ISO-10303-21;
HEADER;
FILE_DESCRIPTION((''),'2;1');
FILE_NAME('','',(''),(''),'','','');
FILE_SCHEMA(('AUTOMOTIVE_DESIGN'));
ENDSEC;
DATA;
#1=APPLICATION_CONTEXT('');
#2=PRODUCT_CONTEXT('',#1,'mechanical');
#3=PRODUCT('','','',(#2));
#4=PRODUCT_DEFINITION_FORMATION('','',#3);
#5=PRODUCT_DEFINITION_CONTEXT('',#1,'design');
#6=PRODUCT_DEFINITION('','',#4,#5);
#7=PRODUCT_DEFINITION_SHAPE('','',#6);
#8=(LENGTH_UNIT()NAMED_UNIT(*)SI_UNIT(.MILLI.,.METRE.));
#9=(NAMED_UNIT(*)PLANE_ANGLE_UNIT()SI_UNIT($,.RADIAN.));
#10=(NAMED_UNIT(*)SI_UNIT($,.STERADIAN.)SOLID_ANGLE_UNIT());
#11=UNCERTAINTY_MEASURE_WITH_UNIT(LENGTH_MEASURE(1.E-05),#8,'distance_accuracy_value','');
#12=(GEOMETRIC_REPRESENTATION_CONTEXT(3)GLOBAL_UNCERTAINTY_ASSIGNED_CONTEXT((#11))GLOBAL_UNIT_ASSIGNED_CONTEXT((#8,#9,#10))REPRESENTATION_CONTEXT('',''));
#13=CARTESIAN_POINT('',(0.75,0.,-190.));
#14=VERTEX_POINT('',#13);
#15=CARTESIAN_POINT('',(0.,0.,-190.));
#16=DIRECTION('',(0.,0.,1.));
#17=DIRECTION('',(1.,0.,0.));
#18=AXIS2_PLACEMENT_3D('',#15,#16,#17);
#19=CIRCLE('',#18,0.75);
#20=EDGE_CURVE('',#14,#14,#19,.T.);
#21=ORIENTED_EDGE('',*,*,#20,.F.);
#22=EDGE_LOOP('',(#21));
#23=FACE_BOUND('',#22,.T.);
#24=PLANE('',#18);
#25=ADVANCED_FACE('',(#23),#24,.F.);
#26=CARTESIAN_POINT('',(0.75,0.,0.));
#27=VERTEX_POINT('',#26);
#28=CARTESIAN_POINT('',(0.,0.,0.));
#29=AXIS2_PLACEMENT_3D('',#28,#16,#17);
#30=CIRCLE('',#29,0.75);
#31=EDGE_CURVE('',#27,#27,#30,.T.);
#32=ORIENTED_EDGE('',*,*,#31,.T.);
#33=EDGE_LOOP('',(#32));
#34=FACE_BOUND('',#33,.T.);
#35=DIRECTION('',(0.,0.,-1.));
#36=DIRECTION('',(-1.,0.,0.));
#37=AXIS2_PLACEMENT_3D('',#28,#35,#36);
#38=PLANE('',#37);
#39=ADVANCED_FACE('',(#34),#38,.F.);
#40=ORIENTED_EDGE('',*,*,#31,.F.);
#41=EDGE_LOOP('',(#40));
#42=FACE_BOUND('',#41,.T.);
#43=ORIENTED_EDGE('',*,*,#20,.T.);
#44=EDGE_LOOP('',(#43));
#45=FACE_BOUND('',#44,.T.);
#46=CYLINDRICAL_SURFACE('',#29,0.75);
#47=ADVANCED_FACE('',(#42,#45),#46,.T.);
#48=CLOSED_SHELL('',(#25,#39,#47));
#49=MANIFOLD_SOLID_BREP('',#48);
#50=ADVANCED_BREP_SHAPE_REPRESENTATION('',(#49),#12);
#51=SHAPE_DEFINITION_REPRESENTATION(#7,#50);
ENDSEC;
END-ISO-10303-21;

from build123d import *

# Parameters (mm, degrees)
SKETCH1_W = 190
SKETCH1_H = 0.75


with BuildPart() as part:
    # Sketch1 → Revolve1 (revolve)
    with BuildSketch(Plane(origin=(0, 0, 0), x_dir=(0, 0, -1), z_dir=(1, 0, 0)), mode=Mode.PRIVATE) as revolve1_sk:
        with Locations((95, 0.375)):
            Rectangle(SKETCH1_W, SKETCH1_H)
    revolve(revolve1_sk.sketch.rotate(Axis((0, 0, 0), (0, 0, -1)), 90), axis=Axis((0, 0, 0), (0, 0, -1)))


solid = part.part
